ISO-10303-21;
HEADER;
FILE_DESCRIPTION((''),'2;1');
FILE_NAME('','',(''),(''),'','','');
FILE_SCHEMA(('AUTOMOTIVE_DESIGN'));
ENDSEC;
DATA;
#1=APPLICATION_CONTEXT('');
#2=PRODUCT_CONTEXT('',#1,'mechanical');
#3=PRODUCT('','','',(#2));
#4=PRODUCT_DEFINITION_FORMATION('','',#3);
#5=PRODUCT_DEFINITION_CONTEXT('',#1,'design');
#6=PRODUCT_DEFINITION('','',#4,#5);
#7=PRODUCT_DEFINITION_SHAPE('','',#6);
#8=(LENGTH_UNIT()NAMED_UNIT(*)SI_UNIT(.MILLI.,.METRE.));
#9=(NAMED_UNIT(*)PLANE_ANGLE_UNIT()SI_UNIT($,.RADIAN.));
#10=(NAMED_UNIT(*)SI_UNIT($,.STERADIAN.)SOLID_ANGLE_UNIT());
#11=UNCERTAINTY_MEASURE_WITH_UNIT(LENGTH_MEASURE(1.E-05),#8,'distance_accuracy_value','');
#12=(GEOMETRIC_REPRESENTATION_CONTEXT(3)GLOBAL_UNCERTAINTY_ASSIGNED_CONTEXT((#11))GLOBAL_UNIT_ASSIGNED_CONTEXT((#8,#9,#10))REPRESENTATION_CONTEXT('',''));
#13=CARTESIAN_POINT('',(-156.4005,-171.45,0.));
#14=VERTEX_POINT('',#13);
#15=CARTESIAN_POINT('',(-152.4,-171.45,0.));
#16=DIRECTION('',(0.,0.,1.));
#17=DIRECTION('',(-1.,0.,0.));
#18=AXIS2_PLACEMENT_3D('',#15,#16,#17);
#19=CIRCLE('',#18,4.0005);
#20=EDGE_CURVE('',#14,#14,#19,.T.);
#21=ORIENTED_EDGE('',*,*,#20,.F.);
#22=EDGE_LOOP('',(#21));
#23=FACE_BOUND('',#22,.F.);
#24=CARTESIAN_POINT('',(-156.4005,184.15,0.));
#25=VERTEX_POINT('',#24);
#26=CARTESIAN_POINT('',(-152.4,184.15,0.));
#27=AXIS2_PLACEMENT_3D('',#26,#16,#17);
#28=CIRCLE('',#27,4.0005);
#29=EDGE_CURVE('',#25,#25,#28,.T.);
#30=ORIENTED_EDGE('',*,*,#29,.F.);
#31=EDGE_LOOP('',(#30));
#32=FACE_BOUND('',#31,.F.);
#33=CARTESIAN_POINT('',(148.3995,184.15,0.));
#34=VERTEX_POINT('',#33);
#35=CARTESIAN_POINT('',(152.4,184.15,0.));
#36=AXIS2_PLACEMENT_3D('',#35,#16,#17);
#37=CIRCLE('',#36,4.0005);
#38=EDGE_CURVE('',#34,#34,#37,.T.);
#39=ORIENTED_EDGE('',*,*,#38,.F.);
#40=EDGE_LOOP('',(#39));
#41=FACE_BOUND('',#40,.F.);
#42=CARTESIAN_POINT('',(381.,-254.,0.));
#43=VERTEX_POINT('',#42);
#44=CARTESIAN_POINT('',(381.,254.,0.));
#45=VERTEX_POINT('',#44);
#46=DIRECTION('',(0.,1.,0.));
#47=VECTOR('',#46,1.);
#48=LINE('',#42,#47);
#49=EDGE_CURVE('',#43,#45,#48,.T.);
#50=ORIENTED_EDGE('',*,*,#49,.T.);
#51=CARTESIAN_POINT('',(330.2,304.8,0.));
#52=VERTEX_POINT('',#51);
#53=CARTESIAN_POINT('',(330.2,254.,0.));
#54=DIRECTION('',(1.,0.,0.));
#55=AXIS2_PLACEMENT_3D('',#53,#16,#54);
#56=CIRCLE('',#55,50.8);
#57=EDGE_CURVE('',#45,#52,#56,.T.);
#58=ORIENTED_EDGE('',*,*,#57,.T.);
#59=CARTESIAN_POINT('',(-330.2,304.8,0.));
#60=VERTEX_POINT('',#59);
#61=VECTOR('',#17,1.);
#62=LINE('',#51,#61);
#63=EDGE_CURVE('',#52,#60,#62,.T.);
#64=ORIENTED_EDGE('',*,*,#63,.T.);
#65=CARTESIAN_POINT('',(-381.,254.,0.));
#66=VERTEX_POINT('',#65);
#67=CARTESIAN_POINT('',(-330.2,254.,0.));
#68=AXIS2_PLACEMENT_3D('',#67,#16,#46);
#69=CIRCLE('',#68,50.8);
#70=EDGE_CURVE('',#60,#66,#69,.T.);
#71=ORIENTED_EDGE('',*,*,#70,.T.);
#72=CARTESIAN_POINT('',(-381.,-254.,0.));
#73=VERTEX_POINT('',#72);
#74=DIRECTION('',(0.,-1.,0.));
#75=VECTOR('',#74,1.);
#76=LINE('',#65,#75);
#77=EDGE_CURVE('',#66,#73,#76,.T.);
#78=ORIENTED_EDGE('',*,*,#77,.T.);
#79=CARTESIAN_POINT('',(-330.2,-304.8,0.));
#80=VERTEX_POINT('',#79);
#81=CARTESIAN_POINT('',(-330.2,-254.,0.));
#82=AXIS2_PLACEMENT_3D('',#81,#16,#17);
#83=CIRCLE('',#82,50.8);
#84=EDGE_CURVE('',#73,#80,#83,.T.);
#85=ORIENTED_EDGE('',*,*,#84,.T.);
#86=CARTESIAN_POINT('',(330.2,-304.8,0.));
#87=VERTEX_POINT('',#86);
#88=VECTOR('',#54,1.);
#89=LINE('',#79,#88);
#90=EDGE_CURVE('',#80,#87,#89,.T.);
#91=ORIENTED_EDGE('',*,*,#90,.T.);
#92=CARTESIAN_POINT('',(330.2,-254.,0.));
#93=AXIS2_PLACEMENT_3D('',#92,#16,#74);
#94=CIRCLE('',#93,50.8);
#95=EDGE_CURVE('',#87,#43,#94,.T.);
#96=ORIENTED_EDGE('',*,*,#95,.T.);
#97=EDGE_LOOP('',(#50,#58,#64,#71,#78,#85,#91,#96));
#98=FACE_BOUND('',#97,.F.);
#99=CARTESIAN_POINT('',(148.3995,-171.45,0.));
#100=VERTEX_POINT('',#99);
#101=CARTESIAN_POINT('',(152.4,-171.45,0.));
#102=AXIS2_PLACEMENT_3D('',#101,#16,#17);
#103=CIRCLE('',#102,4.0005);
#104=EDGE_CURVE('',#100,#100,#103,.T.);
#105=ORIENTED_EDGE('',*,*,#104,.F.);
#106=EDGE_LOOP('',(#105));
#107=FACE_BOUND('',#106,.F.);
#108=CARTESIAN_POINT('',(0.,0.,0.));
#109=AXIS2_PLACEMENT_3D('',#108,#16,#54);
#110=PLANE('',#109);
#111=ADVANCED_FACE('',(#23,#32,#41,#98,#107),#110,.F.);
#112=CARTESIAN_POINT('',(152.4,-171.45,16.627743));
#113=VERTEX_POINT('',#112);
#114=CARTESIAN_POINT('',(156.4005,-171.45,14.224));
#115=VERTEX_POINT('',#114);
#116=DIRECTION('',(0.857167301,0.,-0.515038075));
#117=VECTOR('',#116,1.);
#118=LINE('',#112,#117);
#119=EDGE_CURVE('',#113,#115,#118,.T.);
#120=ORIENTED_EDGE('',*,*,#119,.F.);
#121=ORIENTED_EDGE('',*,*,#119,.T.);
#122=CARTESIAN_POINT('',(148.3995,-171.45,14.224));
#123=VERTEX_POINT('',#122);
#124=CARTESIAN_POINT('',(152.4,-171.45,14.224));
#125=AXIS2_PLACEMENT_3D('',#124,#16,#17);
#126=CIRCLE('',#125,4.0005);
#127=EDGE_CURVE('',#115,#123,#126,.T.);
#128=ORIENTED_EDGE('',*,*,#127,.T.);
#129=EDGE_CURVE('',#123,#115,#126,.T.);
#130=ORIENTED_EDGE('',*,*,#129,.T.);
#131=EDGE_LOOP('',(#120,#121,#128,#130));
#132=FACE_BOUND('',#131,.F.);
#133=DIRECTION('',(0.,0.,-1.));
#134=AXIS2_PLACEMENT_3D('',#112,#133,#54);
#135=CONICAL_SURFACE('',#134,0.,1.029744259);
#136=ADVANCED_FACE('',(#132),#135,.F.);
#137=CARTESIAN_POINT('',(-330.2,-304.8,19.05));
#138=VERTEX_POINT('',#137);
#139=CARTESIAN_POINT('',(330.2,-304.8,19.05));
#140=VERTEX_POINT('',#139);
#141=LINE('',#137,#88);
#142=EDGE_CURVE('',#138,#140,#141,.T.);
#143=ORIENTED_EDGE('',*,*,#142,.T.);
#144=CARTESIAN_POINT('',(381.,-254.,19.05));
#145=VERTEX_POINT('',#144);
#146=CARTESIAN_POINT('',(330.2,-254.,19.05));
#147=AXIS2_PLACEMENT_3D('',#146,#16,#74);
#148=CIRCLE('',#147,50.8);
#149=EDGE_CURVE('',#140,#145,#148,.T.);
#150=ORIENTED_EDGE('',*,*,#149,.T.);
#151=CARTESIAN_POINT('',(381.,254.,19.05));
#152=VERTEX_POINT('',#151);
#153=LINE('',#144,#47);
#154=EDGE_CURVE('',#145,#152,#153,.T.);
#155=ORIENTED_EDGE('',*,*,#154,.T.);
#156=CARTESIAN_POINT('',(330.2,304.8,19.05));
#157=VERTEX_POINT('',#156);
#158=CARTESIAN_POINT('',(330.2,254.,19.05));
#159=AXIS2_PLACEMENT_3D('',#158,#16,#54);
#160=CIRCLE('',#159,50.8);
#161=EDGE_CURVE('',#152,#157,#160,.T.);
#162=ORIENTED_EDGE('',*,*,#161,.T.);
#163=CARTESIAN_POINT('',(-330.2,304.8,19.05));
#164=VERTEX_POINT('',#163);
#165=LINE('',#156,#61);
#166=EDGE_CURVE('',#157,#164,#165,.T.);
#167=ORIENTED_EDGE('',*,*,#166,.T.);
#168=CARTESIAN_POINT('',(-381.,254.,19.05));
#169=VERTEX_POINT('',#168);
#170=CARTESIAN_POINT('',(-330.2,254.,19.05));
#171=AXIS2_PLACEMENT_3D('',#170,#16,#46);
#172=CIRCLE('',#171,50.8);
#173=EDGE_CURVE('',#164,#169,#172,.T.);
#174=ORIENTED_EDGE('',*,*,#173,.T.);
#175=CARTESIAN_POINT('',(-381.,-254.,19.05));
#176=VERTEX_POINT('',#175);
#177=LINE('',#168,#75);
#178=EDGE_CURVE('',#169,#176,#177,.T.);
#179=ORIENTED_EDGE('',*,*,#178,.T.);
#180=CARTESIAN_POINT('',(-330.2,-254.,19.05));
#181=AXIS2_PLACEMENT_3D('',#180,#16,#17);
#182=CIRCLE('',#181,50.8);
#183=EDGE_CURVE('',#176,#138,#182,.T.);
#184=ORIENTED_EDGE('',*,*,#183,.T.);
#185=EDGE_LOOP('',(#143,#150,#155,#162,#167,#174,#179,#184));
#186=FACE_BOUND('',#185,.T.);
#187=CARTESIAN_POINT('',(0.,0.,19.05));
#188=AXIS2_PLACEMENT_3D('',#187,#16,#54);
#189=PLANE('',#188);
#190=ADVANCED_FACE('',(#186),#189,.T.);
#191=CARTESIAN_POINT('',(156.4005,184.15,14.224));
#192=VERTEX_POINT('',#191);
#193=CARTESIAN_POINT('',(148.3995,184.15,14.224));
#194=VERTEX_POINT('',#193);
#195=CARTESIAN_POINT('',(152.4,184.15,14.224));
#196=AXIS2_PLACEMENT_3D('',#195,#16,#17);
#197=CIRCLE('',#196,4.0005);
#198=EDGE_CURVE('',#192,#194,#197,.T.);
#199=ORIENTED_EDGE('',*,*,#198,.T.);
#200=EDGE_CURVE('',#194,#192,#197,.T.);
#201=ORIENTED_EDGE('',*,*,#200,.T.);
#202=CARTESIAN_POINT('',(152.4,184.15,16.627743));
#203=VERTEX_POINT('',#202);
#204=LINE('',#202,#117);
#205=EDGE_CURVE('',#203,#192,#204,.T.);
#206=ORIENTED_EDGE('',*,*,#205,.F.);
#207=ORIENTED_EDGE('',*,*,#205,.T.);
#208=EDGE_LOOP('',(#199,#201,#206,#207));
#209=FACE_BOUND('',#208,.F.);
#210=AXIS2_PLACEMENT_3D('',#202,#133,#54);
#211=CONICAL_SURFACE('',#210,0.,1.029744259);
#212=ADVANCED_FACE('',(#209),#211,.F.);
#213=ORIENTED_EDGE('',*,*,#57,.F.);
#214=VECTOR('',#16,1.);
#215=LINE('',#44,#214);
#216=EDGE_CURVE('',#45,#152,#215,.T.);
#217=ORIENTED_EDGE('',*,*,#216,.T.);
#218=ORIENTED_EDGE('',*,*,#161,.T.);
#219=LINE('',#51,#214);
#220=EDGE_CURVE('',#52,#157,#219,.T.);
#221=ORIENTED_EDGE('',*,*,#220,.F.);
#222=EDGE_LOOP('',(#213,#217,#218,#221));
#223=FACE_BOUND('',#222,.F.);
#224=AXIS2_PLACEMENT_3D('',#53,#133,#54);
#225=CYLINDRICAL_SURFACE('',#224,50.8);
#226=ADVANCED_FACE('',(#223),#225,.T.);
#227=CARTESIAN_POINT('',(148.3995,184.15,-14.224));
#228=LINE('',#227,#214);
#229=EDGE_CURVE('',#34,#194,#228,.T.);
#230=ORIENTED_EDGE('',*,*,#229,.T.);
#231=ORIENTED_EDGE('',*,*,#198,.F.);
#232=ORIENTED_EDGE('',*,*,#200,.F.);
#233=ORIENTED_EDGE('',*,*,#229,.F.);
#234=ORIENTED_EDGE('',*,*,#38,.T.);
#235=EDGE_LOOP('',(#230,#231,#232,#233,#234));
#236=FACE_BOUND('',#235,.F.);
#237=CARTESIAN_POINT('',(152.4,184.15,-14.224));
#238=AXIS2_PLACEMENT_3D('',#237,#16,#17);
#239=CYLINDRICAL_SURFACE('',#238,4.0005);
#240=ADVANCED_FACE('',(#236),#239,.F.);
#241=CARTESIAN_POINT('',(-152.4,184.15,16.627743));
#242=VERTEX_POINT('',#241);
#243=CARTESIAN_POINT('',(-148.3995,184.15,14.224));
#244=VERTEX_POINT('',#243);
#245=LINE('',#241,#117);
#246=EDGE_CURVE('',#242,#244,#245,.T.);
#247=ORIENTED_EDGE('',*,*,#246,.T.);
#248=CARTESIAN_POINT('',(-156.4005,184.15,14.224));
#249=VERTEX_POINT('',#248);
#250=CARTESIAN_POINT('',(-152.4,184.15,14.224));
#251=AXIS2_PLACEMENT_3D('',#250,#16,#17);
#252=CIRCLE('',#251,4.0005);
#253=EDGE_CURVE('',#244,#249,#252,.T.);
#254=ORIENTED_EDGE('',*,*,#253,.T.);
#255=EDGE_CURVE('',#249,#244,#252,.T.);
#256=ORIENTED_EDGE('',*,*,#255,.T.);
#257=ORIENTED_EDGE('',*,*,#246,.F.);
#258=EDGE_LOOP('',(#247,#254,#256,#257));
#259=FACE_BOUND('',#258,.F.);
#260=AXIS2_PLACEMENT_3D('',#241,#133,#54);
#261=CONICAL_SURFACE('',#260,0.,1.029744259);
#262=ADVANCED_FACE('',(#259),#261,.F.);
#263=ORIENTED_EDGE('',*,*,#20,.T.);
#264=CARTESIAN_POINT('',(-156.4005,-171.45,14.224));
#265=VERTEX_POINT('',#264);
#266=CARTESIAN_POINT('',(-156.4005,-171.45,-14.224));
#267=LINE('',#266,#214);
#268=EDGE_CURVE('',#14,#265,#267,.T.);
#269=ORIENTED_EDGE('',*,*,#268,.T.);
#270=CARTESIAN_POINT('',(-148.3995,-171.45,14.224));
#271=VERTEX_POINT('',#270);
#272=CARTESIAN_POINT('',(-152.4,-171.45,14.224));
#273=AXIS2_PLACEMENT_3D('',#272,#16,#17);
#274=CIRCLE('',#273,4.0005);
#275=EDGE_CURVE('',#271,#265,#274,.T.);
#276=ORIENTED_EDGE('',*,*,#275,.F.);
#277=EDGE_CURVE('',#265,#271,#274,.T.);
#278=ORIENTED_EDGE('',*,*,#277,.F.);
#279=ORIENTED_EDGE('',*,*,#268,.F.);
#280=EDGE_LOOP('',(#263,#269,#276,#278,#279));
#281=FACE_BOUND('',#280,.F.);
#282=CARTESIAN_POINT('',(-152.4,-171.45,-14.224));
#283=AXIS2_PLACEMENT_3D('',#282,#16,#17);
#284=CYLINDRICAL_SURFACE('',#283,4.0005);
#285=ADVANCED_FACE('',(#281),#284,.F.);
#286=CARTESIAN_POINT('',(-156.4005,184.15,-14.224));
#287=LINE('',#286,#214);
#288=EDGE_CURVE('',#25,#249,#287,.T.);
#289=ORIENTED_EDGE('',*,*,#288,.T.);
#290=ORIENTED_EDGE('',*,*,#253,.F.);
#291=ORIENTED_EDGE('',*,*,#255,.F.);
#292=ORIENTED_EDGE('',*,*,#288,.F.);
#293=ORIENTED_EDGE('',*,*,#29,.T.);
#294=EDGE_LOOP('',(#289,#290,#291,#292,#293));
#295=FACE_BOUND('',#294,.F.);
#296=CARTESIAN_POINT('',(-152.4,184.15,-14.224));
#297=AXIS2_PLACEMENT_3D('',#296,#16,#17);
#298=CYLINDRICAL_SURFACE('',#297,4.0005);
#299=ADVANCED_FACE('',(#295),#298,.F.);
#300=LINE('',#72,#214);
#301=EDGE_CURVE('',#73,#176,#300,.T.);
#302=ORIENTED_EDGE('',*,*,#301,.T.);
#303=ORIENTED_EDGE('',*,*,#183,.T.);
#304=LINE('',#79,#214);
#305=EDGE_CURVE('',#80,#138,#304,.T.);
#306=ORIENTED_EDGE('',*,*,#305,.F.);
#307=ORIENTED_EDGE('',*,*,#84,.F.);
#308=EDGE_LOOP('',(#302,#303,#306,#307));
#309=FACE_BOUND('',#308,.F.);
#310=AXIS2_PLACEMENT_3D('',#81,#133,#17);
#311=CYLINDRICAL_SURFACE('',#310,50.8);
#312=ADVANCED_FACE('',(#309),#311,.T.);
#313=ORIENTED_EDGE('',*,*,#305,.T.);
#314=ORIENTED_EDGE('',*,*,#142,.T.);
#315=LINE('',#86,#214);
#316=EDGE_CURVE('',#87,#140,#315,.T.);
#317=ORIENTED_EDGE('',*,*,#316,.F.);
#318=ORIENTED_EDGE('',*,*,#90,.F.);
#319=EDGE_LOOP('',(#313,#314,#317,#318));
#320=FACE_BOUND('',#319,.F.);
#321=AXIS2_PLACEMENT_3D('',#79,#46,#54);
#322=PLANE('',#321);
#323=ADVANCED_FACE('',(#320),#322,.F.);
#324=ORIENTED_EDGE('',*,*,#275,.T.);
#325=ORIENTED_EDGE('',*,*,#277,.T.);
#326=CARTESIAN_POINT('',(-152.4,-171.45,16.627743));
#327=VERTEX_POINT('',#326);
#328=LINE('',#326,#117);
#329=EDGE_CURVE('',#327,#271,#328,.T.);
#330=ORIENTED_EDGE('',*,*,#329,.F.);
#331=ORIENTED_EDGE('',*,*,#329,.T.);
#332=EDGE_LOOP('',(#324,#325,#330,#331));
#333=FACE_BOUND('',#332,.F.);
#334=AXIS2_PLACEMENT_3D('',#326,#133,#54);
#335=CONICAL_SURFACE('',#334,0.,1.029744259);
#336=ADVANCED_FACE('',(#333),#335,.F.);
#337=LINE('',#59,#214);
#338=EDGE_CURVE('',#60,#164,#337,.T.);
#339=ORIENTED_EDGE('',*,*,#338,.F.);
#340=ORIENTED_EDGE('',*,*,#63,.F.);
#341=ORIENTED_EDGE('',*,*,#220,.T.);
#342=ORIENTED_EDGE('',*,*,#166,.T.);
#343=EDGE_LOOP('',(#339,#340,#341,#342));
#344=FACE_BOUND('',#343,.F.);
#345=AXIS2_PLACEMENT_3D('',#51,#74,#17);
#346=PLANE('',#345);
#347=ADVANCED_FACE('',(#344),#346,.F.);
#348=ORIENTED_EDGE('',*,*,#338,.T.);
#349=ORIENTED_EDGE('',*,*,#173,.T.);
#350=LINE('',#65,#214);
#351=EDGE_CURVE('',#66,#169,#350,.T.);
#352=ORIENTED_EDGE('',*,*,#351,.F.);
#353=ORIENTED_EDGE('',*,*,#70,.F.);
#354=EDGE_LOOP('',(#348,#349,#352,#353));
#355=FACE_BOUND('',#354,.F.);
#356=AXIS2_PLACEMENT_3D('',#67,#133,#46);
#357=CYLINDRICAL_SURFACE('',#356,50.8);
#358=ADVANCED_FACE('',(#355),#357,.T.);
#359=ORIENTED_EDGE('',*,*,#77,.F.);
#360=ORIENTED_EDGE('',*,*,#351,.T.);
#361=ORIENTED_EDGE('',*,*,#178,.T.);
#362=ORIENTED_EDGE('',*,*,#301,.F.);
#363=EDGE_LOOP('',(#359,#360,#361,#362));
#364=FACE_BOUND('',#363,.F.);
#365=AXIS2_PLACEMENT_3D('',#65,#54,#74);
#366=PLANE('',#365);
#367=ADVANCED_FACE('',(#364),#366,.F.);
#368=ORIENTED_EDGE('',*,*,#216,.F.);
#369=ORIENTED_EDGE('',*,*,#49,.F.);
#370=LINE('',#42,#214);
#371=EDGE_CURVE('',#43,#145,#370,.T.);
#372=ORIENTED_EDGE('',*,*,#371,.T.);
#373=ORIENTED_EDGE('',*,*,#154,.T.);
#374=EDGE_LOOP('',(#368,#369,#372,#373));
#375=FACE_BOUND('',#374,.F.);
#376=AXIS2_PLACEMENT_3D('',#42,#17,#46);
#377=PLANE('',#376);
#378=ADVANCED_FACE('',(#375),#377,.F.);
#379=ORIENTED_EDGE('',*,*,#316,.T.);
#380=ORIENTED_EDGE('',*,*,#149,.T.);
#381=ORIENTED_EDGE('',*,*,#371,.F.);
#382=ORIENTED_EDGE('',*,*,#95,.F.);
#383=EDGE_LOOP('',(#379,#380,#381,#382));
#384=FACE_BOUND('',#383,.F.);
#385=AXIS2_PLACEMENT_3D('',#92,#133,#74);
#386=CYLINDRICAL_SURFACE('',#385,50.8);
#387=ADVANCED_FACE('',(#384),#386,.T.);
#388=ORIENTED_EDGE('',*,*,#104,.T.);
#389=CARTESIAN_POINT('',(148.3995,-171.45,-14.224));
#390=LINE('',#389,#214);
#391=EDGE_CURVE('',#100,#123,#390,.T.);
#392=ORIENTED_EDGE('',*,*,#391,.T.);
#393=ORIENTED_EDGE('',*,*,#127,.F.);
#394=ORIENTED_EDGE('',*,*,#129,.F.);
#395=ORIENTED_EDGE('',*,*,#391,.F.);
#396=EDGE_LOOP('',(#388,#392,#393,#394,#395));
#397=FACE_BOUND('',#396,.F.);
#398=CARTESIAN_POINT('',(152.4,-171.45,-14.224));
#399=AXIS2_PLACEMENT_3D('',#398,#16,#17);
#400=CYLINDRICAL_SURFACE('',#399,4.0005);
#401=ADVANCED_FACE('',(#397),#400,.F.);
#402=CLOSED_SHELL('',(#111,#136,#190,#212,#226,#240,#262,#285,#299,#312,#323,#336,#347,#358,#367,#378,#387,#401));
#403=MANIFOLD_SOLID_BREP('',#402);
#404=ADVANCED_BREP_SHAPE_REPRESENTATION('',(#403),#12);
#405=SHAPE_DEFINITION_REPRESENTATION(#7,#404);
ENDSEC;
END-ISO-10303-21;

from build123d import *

# Parameters (mm, degrees)
F1_DEPTH = 19.05
F3_D     = 8.001
F3_DEPTH = 14.224
F3_TIP   = 2.4037429064


with BuildPart() as f1:
    # F0 (on Top) → F1 (new body)
    with BuildSketch(Plane.XY):
        with BuildLine():
            Line((330.2, 304.8), (-330.2, 304.8))
            ThreePointArc((-330.2, 304.8), (-366.1210244843, 289.9210244843), (-381, 254))
            Line((-381, 254), (-381, -254))
            ThreePointArc((-381, -254), (-366.1210244843, -289.9210244843), (-330.2, -304.8))
            Line((-330.2, -304.8), (330.2, -304.8))
            ThreePointArc((330.2, -304.8), (366.1210244843, -289.9210244843), (381, -254))
            Line((381, -254), (381, 254))
            ThreePointArc((381, 254), (366.1210244843, 289.9210244843), (330.2, 304.8))
        make_face()
    extrude(amount=F1_DEPTH)

    # F3
    with Locations(Plane(origin=(0, 0, 0), x_dir=(1, 0, 0), z_dir=(0, 0, -1))):
        with Locations((-152.4, 171.45), (152.4, 171.45), (152.4, -184.15), (-152.4, -184.15)):
            Hole(F3_D / 2, depth=F3_DEPTH)
            with Locations((0, 0, -(F3_DEPTH + F3_TIP / 2))):  # 118° drill point
                Cone(0, F3_D / 2, F3_TIP, mode=Mode.SUBTRACT)


solid = f1.part
